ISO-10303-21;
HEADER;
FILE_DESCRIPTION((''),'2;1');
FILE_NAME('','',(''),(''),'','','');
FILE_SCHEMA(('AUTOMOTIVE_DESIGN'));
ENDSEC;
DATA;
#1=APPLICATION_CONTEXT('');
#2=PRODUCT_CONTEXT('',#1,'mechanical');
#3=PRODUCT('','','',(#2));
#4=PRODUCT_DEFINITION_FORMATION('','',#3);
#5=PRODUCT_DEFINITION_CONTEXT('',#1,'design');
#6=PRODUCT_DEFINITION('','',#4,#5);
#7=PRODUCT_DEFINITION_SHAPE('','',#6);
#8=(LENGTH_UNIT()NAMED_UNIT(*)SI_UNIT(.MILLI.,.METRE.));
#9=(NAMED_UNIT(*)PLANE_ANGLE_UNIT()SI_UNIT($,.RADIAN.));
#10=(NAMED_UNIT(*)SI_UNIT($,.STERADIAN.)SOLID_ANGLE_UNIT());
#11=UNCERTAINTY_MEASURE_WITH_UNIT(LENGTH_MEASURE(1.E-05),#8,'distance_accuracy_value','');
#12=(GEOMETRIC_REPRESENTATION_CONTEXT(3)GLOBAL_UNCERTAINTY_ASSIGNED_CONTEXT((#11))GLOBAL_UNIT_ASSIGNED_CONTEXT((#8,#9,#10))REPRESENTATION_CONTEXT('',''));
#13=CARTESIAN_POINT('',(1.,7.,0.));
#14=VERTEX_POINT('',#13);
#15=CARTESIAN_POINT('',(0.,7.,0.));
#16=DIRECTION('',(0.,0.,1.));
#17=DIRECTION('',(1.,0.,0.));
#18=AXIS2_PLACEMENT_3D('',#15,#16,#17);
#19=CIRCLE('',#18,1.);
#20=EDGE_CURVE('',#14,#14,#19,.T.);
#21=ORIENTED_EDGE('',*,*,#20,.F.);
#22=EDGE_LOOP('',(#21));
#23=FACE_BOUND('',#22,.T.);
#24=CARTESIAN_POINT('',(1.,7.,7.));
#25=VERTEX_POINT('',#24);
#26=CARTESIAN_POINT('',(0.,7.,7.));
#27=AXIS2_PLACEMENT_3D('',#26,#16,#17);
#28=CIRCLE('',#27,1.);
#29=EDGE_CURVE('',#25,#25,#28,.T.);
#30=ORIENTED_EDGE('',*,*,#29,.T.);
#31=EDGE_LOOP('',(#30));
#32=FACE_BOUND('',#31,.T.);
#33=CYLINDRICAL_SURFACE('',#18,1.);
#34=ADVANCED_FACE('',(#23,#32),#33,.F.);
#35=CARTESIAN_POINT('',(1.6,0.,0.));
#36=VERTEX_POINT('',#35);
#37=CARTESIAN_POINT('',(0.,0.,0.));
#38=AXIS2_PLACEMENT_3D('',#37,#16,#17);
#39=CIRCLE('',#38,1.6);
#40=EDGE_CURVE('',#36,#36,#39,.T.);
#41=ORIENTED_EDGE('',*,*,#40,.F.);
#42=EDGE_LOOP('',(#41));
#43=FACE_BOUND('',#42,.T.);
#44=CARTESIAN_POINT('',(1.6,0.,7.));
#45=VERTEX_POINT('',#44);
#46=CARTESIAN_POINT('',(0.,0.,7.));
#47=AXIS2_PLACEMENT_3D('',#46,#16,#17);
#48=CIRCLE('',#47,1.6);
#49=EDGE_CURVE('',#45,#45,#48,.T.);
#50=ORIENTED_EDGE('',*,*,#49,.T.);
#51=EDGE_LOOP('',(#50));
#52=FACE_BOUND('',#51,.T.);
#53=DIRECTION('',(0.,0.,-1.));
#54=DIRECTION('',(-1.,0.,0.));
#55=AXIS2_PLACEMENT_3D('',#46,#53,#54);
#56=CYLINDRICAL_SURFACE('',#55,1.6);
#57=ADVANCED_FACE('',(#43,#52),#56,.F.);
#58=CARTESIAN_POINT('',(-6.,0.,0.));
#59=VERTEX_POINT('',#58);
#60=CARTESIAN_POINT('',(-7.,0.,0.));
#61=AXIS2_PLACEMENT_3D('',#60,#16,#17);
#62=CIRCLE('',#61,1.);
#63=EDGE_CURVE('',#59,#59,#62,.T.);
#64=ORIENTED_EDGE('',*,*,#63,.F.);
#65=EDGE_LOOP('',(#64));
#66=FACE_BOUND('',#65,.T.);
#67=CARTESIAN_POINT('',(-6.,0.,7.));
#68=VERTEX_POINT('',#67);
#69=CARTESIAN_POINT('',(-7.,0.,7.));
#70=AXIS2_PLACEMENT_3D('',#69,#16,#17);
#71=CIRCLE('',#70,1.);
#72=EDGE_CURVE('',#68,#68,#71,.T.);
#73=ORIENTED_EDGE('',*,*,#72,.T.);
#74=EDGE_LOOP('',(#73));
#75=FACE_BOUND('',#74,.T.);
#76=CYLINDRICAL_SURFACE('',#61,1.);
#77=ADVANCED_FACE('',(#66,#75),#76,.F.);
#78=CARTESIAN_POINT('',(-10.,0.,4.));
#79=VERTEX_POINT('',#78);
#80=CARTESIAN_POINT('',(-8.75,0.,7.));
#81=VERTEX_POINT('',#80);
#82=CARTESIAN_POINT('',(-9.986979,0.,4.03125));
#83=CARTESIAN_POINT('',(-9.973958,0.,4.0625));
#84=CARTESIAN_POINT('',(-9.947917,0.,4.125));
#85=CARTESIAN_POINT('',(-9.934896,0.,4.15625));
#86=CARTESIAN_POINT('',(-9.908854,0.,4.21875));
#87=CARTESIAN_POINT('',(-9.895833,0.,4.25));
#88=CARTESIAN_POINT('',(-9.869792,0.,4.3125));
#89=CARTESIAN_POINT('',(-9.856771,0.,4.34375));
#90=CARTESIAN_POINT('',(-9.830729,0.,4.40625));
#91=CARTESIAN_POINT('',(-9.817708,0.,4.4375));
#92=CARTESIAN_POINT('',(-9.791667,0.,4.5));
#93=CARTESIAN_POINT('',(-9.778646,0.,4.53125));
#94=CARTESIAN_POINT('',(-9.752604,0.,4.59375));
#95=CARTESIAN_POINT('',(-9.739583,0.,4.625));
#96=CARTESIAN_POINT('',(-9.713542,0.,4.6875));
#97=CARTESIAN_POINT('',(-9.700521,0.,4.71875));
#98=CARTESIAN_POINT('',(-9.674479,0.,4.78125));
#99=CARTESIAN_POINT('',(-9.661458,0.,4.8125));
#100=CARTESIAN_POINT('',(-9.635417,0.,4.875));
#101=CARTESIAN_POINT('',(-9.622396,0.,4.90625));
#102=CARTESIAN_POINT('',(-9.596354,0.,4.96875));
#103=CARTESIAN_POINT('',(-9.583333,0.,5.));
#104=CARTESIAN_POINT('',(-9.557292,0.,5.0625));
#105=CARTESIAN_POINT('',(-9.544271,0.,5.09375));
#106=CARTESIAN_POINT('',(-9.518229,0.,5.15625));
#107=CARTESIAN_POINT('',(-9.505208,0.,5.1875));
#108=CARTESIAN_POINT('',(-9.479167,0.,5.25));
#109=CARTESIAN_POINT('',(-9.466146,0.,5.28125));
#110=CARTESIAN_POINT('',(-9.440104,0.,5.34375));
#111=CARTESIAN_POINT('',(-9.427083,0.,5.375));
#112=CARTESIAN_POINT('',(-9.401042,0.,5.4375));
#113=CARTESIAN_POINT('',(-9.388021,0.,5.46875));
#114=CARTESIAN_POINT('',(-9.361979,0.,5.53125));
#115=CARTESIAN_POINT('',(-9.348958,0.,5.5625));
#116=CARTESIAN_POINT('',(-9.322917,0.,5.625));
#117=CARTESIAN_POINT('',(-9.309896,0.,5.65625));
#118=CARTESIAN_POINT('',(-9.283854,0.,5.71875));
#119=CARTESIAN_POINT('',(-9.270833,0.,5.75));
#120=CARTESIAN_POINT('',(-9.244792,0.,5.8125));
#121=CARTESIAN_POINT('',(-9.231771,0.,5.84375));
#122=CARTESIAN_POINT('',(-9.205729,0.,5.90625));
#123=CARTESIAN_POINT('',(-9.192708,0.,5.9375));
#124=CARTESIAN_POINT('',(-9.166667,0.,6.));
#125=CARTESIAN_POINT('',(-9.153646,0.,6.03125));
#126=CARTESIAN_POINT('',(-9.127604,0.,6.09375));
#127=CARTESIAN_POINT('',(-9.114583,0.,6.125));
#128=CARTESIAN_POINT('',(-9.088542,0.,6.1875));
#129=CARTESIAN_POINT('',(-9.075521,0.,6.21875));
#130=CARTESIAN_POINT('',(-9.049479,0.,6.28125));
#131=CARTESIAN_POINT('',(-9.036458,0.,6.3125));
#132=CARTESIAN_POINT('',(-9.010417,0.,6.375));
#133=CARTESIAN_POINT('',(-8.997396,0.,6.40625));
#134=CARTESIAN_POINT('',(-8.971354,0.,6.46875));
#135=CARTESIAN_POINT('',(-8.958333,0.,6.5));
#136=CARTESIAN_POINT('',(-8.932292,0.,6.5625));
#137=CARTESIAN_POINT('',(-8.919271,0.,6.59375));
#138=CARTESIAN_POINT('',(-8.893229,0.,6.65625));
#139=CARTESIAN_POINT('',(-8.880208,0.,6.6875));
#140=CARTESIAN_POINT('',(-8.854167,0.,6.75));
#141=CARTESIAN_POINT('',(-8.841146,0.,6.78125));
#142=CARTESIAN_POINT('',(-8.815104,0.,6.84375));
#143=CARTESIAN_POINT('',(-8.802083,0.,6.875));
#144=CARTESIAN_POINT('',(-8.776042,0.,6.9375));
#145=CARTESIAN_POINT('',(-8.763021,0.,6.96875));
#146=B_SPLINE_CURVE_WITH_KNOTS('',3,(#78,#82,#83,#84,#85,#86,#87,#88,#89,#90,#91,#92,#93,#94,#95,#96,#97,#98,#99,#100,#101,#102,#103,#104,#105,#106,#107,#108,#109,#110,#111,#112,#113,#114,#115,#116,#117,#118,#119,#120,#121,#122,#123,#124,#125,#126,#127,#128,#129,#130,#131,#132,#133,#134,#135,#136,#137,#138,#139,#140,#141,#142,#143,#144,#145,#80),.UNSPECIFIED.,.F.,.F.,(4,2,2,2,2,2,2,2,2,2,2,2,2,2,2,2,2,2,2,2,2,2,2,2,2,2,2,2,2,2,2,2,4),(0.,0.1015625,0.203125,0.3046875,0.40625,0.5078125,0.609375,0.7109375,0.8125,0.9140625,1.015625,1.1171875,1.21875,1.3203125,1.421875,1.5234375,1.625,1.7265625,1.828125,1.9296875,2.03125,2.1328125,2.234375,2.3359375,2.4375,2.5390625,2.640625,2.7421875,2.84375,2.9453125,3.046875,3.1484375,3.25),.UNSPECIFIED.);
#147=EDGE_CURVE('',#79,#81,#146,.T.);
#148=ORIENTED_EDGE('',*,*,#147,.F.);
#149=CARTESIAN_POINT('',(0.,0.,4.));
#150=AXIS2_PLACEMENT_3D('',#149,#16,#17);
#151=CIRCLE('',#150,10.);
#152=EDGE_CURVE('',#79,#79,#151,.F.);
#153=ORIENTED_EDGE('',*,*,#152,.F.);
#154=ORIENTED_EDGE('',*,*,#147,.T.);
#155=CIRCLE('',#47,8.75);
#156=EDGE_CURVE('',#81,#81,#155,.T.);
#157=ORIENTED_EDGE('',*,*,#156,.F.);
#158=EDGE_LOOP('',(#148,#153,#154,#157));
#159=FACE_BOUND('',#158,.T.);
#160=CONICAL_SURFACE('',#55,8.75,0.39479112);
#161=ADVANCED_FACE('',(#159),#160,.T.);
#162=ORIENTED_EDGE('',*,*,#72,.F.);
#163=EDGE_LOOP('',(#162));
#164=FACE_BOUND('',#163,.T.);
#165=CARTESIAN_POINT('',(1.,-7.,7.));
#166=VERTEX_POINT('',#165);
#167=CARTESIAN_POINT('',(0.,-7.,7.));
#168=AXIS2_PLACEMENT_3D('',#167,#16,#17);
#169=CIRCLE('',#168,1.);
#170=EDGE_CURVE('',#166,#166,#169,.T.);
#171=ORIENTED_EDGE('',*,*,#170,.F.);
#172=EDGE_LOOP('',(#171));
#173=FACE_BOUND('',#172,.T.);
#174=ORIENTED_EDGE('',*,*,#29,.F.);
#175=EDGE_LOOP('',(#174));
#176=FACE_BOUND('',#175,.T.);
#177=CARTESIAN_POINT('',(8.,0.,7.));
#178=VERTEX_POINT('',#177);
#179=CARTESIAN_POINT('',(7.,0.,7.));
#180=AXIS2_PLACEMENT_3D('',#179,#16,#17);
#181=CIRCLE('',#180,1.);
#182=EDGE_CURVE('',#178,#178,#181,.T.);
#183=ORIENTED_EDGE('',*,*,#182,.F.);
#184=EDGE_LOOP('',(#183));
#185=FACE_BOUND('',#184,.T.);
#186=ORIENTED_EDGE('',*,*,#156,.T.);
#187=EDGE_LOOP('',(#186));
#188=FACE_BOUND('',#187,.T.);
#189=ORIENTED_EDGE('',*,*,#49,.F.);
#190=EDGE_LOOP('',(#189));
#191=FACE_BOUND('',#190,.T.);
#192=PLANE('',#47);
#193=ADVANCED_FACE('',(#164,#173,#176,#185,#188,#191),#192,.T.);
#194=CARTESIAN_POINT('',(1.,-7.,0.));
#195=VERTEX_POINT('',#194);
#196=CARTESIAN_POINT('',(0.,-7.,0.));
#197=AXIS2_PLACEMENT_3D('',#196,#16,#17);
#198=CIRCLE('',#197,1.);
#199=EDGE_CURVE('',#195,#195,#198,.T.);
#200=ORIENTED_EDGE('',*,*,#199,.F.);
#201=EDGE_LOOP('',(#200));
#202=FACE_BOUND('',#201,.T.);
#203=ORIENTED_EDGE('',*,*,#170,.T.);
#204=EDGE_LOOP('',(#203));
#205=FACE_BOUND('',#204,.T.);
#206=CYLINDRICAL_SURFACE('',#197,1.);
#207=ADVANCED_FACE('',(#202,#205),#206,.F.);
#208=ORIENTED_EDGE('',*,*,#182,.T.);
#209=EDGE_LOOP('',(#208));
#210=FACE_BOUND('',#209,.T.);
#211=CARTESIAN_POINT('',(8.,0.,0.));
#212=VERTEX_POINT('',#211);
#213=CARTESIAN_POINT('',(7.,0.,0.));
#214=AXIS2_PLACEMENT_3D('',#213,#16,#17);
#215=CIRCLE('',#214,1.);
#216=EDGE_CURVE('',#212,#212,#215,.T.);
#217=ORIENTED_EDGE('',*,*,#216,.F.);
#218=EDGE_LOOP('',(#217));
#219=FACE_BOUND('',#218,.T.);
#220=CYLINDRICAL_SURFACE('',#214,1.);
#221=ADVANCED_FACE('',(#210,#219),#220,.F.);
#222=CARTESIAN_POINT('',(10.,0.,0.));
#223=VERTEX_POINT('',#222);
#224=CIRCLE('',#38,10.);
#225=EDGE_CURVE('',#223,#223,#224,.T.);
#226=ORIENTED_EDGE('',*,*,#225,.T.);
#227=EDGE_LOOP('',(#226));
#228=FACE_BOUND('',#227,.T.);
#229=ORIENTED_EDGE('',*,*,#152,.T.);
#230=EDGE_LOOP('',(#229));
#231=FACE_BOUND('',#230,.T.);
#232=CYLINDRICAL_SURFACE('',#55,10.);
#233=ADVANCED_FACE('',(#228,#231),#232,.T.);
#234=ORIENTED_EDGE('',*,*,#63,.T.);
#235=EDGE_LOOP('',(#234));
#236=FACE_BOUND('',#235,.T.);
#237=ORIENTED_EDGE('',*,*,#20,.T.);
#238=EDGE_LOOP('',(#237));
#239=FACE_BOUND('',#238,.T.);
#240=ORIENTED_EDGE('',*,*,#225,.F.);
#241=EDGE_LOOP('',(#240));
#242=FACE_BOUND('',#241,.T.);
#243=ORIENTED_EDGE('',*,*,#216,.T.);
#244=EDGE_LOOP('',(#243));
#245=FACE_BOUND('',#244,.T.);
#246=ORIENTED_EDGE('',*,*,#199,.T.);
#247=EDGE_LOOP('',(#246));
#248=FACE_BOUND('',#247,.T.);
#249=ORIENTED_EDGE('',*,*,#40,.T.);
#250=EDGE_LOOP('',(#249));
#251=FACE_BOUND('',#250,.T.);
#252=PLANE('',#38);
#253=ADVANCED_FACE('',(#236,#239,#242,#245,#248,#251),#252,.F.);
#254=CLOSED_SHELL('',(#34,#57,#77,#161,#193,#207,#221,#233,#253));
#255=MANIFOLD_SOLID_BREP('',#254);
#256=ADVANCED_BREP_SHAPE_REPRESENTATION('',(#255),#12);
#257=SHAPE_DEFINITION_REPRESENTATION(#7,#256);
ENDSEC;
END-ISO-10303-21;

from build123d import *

# Parameters (mm, degrees)
SKETCH1_R           = 10
SKETCH1_R_2         = 1.6
BOSS_EXTRUDE1_DEPTH = 7
SKETCH2_R           = 1
CUT_EXTRUDE1_DEPTH  = 7
CHAMFER2_SIZE       = 3
CHAMFER2_SIZE2      = 1.25


with BuildPart() as part:
    # Sketch1 → Boss-Extrude1 (new body)
    with BuildSketch(Plane.XY):
        Circle(SKETCH1_R)
        Circle(SKETCH1_R_2, mode=Mode.SUBTRACT)
    extrude(amount=BOSS_EXTRUDE1_DEPTH)

    # Sketch2 → Cut-Extrude1 (cut)
    with BuildSketch(Plane.XY.offset(7)):
        with Locations((7, 0)):
            Circle(SKETCH2_R)
        with Locations((0, -7)):
            Circle(SKETCH2_R)
        with Locations((-7, 0)):
            Circle(SKETCH2_R)
        with Locations((0, 7)):
            Circle(SKETCH2_R)
    extrude(amount=-CUT_EXTRUDE1_DEPTH, mode=Mode.SUBTRACT)

    # Chamfer2
    chamfer2_edges = [part.edges().sort_by_distance(p)[0] for p in [
        (-10, 0, 7),
    ]]
    chamfer2_side = [part.faces().sort_by_distance(p)[0] for p in [
        (-10, 0, 3.5),
    ]]
    chamfer(chamfer2_edges, length=CHAMFER2_SIZE, length2=CHAMFER2_SIZE2, reference=chamfer2_side[0])


solid = part.part
